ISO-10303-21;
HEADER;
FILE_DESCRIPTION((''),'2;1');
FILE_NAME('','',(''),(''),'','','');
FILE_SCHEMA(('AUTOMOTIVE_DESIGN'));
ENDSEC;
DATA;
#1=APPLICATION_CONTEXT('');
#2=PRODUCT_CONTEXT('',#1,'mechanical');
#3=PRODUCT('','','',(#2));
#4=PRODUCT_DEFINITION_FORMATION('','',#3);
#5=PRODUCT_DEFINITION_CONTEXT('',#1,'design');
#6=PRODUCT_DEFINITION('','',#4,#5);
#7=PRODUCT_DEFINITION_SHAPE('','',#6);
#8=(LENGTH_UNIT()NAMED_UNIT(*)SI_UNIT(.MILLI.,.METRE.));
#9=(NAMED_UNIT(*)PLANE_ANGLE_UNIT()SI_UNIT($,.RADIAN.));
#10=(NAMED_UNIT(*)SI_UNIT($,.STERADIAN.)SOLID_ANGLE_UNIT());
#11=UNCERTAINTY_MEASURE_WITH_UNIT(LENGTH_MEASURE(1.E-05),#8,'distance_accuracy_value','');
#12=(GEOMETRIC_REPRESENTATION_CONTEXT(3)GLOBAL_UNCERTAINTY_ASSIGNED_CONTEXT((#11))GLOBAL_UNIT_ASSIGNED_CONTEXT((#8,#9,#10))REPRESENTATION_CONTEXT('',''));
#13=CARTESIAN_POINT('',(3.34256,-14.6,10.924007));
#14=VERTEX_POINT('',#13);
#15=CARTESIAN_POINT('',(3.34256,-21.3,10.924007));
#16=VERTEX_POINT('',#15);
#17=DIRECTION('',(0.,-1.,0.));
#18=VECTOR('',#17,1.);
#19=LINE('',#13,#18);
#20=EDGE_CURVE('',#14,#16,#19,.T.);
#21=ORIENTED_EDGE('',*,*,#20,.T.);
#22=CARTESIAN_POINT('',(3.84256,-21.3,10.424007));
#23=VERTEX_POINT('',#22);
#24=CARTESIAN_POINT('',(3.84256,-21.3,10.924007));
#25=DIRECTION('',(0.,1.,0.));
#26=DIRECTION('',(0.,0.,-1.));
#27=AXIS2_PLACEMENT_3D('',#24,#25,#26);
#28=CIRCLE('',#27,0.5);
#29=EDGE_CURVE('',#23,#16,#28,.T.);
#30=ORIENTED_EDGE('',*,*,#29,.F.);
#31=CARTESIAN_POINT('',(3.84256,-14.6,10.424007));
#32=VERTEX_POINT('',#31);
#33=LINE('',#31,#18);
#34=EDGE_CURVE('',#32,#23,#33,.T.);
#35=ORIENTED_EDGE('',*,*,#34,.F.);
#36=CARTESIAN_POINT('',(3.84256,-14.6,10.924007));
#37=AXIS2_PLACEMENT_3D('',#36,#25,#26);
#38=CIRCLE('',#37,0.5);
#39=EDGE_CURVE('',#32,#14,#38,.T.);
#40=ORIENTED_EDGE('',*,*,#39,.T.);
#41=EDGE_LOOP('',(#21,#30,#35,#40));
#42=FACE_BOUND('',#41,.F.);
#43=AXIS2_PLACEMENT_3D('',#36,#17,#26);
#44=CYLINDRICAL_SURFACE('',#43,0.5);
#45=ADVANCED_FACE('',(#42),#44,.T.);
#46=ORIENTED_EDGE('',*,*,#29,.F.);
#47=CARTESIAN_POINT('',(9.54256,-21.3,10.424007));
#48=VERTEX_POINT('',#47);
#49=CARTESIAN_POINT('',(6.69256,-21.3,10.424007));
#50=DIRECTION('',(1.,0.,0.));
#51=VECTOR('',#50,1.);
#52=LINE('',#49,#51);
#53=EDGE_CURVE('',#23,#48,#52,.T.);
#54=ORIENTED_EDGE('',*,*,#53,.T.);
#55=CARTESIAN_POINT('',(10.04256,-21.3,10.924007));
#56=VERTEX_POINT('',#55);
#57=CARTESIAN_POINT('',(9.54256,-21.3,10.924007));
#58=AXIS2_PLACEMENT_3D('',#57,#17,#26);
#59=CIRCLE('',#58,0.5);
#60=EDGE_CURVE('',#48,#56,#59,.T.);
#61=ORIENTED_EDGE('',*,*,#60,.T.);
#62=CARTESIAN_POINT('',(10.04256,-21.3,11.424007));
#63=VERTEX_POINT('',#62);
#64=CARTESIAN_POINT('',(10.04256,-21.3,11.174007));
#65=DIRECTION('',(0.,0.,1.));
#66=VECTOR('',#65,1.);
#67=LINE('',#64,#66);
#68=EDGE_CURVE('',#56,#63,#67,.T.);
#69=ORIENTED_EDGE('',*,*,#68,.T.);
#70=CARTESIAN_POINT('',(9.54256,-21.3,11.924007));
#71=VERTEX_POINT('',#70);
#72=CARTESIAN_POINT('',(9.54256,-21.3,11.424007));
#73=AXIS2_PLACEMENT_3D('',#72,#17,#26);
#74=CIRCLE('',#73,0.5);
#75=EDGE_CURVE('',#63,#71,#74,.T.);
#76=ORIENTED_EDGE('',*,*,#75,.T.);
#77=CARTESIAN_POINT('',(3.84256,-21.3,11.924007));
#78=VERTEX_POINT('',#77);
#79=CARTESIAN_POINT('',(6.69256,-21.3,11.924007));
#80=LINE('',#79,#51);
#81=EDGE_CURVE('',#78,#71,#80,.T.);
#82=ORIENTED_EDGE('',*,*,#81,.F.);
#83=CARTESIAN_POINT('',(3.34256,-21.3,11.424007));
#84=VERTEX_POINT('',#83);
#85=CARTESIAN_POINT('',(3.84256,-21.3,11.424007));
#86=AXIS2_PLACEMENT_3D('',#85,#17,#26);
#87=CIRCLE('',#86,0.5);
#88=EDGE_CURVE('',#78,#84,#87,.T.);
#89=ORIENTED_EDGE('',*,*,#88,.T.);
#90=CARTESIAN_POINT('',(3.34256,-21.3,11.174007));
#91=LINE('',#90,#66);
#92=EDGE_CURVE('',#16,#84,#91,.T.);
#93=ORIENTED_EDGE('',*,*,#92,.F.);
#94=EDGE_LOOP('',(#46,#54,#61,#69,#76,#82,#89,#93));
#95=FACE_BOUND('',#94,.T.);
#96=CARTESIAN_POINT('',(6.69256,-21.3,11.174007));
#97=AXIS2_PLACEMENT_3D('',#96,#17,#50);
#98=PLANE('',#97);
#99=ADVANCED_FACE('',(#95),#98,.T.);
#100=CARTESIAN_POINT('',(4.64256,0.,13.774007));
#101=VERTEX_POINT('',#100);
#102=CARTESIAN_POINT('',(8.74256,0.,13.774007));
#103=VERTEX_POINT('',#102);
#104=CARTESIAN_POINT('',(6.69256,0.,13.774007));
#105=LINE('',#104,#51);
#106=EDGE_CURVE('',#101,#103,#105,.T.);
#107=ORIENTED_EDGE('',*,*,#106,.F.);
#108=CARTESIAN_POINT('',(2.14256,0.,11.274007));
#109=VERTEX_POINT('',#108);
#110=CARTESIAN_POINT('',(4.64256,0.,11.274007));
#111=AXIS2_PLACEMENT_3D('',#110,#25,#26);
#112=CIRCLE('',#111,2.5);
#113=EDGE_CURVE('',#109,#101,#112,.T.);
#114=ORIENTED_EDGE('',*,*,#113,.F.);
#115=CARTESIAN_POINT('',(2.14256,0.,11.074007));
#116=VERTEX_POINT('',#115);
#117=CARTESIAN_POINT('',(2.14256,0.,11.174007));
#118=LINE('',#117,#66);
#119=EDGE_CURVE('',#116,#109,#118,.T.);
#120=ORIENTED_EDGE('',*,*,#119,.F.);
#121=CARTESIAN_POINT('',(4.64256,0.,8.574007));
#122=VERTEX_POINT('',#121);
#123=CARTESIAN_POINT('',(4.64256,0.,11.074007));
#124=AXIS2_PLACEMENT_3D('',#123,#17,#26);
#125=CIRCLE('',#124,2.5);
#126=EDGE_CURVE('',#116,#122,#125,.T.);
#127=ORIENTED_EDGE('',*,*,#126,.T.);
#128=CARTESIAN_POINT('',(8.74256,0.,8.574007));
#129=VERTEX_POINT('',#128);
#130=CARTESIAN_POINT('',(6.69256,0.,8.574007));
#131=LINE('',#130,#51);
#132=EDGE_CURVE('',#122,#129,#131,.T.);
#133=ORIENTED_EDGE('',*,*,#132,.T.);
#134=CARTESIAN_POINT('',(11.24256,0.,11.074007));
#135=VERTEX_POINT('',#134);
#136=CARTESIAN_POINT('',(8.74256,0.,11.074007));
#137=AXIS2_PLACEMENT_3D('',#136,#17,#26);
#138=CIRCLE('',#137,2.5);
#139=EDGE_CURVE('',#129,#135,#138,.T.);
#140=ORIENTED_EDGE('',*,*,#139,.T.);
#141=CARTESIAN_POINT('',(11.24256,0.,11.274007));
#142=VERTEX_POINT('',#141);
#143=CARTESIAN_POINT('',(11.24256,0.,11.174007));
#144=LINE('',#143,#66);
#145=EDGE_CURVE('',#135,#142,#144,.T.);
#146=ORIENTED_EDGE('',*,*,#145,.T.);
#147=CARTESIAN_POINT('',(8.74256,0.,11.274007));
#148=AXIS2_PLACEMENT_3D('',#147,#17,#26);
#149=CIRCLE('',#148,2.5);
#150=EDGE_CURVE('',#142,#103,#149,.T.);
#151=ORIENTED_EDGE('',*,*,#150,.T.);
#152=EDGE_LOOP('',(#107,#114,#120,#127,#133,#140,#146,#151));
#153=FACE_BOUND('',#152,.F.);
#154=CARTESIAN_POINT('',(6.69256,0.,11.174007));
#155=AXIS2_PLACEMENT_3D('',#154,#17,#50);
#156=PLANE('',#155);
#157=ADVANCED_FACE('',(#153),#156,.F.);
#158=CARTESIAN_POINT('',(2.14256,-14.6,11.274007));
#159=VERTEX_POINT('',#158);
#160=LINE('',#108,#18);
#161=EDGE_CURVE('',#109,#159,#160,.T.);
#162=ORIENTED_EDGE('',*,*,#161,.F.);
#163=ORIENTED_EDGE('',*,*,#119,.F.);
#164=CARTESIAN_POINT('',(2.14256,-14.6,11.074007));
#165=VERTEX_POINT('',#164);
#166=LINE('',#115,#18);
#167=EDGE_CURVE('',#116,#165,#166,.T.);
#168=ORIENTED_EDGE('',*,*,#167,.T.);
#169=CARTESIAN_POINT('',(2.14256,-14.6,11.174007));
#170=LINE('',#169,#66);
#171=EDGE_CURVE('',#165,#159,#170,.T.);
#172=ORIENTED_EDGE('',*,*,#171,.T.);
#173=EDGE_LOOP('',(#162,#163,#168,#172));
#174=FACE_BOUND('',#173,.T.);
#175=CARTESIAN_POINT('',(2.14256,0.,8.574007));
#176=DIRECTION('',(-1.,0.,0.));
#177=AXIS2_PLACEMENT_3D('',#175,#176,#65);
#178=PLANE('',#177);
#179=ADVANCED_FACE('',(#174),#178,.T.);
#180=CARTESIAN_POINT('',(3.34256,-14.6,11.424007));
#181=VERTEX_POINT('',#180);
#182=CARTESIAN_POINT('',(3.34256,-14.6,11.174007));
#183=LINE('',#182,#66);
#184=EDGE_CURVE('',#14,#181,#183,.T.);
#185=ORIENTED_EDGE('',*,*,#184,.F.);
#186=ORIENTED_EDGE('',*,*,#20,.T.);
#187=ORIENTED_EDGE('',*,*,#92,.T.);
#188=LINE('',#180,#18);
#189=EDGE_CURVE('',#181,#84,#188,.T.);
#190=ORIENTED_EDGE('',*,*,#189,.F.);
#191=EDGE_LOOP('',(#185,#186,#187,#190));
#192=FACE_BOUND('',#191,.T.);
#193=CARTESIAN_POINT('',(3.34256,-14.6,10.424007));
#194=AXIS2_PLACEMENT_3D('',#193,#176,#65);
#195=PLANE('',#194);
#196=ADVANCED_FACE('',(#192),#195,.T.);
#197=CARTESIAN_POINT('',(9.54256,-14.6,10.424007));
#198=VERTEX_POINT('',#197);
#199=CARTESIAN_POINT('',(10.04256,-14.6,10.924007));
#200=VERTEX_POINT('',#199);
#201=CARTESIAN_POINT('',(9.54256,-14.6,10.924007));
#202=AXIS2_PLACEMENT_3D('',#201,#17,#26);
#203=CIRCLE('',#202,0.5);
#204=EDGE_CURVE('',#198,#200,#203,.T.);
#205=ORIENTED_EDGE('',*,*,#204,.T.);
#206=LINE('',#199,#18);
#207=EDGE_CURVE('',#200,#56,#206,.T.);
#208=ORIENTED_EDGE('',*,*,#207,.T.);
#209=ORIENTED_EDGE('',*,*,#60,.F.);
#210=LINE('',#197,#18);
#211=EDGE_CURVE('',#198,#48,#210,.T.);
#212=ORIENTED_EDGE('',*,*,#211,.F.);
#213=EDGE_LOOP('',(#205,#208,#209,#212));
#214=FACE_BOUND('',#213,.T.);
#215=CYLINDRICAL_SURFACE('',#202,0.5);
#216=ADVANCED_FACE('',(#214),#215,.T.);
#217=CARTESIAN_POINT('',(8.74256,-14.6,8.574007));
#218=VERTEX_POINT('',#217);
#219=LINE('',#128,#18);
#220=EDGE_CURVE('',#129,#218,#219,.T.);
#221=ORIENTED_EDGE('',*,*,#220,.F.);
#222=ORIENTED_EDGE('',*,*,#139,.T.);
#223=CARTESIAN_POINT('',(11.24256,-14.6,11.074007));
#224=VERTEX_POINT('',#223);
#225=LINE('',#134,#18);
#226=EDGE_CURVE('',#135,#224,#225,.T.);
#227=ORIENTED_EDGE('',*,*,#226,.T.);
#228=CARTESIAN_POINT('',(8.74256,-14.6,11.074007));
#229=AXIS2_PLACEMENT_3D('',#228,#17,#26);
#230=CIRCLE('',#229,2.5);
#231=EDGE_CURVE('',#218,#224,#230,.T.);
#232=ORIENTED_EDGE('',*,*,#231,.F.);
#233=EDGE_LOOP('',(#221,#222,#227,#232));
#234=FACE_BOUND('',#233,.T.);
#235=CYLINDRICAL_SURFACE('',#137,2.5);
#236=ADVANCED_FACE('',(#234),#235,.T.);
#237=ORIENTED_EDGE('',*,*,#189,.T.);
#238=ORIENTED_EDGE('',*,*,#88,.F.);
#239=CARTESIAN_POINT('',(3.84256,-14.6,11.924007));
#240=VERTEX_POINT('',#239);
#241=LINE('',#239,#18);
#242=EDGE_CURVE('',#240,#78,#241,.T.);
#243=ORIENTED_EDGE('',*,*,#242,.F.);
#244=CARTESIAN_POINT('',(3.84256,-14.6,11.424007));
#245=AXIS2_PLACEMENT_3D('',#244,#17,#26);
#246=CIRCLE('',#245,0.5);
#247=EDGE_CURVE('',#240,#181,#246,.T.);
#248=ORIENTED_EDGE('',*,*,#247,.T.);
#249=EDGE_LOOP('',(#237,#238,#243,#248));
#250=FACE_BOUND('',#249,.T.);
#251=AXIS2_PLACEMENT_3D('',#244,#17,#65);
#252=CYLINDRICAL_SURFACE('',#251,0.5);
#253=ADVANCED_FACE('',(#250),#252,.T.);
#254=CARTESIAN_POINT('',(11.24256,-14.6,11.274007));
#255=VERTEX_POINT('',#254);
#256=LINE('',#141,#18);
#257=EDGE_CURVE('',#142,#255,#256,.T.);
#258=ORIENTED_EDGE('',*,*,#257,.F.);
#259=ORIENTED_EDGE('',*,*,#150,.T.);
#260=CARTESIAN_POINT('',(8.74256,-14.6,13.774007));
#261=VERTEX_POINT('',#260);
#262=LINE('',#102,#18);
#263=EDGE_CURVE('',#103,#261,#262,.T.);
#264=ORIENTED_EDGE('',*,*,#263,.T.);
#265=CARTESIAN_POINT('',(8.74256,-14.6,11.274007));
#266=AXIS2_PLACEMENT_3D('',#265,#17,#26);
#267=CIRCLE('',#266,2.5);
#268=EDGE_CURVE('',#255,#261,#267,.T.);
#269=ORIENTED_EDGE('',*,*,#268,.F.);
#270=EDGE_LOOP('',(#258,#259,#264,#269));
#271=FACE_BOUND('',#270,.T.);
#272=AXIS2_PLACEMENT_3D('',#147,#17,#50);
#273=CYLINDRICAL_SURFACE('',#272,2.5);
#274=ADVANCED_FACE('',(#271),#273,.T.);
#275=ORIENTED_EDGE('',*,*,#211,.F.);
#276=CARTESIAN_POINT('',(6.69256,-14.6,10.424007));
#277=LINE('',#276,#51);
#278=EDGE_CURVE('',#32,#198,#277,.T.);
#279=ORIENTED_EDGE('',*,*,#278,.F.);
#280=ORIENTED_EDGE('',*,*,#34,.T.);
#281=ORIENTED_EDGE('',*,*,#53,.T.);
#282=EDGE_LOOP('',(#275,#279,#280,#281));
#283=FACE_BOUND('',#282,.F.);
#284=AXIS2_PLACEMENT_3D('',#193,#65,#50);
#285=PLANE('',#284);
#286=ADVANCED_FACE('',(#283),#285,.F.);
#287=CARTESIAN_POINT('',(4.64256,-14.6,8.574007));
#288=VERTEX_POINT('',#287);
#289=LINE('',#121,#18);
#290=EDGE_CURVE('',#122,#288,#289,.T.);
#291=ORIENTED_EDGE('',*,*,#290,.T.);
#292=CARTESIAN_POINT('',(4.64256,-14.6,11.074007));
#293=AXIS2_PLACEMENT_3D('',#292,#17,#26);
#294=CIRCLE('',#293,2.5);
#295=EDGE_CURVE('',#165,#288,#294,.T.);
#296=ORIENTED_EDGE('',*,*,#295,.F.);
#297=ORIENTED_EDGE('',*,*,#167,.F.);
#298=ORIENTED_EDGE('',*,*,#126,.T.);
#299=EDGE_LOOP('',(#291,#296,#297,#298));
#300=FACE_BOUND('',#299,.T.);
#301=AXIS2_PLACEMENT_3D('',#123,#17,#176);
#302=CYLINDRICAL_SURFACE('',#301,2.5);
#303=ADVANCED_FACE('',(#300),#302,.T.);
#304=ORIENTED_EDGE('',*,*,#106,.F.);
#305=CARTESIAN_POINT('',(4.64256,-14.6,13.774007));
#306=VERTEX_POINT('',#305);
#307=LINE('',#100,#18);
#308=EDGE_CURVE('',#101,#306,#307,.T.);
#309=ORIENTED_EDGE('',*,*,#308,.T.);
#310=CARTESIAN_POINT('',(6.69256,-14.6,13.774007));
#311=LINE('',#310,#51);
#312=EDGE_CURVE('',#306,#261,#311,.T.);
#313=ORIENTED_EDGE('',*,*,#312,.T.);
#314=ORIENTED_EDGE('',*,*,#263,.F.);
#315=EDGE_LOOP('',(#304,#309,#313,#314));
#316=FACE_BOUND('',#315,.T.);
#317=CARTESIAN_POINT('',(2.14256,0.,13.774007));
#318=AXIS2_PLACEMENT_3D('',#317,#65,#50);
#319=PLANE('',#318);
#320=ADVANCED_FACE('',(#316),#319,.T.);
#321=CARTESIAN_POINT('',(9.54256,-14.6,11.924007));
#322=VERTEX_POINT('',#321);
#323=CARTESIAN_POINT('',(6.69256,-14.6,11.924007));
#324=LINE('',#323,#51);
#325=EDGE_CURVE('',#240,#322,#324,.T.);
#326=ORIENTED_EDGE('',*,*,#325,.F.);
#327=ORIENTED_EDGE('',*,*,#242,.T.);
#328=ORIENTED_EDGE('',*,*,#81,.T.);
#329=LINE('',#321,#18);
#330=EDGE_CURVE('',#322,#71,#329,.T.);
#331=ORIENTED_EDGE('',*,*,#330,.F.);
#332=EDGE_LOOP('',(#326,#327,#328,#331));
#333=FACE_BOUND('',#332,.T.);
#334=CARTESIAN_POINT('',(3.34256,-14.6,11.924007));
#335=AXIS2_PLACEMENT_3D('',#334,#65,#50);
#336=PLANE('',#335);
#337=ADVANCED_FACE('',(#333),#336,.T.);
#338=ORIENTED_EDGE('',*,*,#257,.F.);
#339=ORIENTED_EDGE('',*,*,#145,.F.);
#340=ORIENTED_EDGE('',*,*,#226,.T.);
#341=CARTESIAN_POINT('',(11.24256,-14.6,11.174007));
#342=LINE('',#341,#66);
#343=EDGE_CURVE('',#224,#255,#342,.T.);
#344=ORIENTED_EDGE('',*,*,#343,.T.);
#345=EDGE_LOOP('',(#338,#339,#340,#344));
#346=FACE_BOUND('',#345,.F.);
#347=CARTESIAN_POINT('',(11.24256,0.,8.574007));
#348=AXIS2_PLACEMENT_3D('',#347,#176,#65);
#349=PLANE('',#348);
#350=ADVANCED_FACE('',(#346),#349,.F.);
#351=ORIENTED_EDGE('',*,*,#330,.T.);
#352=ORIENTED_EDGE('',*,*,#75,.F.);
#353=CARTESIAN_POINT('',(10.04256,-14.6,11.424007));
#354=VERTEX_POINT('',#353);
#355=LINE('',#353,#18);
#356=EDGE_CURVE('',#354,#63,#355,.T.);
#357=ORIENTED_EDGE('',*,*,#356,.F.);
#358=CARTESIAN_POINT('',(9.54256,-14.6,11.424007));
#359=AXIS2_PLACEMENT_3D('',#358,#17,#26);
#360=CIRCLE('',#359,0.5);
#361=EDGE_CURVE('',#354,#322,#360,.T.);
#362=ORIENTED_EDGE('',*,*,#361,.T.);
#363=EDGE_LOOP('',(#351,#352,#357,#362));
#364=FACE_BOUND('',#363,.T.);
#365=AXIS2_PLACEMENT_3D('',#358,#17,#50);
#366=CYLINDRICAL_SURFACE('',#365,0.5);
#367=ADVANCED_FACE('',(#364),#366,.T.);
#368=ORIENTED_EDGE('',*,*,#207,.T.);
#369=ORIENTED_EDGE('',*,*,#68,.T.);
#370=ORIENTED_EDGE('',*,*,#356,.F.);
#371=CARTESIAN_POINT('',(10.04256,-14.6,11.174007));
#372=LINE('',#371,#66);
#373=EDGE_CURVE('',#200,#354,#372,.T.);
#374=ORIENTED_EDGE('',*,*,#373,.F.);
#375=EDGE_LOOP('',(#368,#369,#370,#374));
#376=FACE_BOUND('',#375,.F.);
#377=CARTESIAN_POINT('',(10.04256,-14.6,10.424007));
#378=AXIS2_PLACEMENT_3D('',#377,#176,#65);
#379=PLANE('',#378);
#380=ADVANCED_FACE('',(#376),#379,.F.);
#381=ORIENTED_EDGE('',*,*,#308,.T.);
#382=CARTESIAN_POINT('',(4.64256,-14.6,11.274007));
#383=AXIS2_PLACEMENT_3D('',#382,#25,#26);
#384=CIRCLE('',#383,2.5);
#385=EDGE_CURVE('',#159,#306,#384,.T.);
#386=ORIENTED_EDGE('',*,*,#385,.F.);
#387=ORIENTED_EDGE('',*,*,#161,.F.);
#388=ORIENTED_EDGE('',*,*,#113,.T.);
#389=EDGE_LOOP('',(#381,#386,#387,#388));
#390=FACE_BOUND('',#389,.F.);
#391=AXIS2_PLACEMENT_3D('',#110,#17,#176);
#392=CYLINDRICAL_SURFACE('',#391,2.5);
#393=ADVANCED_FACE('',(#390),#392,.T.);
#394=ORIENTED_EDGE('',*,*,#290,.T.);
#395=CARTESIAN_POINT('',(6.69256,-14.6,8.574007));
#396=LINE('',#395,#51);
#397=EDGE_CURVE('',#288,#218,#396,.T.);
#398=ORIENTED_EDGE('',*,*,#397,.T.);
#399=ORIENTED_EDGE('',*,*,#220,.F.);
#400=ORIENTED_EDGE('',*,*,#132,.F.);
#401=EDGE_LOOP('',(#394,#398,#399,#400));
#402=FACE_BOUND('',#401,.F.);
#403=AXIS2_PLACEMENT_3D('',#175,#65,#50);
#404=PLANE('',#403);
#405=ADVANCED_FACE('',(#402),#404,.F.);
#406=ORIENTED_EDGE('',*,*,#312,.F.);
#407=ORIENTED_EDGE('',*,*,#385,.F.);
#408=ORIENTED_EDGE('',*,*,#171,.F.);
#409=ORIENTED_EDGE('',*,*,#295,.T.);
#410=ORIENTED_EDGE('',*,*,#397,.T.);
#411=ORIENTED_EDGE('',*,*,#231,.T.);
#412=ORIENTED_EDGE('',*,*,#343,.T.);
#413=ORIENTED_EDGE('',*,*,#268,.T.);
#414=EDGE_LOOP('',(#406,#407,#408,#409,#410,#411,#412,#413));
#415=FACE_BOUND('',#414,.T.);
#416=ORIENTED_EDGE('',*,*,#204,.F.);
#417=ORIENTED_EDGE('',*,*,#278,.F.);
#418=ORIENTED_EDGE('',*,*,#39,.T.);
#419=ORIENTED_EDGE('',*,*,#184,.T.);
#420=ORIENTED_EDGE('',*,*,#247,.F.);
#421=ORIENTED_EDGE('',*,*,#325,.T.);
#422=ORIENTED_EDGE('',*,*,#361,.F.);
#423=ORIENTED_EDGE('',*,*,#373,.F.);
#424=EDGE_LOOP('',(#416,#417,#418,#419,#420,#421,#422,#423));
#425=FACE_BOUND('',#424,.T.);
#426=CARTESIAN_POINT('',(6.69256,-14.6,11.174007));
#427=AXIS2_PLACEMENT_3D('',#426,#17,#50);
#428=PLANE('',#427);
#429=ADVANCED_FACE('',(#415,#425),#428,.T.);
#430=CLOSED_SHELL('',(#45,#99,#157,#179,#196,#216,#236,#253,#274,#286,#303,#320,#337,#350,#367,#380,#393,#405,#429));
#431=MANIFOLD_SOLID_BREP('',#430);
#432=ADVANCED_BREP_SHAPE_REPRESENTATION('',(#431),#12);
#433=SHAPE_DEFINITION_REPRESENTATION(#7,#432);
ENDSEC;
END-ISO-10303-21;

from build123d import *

# Parameters (mm, degrees)
F0_W     = 9.1
F0_H     = 5.2
F1_DEPTH = 14.6
F2_R     = 2.5
F3_W     = 6.7
F3_H     = 1.5
F4_DEPTH = 6.7
F5_R     = 0.5


with BuildPart() as f1:
    # F0 (on Front) → F1 (new body)
    with BuildSketch(Plane.XZ):
        with Locations((6.69256, 11.174007)):
            Rectangle(F0_W, F0_H)
    extrude(amount=F1_DEPTH)

    # F2
    f2_edges = [f1.edges().sort_by_distance(p)[0] for p in [
        (11.24256, -7.3, 8.574007),
        (11.24256, -7.3, 13.774007),
        (2.14256, -7.3, 8.574007),
        (2.14256, -7.3, 13.774007),
    ]]
    fillet(f2_edges, radius=F2_R)

    # F3 (on face) → F4 (join)
    with BuildSketch(Plane.XZ.offset(14.6)):
        with Locations((6.69256, 11.174007)):
            Rectangle(F3_W, F3_H)
    extrude(amount=F4_DEPTH)

    # F5
    f5_edges = [f1.edges().sort_by_distance(p)[0] for p in [
        (3.34256, -17.95, 10.424007),
        (10.04256, -17.95, 10.424007),
        (10.04256, -17.95, 11.924007),
        (3.34256, -17.95, 11.924007),
    ]]
    fillet(f5_edges, radius=F5_R)


solid = f1.part
